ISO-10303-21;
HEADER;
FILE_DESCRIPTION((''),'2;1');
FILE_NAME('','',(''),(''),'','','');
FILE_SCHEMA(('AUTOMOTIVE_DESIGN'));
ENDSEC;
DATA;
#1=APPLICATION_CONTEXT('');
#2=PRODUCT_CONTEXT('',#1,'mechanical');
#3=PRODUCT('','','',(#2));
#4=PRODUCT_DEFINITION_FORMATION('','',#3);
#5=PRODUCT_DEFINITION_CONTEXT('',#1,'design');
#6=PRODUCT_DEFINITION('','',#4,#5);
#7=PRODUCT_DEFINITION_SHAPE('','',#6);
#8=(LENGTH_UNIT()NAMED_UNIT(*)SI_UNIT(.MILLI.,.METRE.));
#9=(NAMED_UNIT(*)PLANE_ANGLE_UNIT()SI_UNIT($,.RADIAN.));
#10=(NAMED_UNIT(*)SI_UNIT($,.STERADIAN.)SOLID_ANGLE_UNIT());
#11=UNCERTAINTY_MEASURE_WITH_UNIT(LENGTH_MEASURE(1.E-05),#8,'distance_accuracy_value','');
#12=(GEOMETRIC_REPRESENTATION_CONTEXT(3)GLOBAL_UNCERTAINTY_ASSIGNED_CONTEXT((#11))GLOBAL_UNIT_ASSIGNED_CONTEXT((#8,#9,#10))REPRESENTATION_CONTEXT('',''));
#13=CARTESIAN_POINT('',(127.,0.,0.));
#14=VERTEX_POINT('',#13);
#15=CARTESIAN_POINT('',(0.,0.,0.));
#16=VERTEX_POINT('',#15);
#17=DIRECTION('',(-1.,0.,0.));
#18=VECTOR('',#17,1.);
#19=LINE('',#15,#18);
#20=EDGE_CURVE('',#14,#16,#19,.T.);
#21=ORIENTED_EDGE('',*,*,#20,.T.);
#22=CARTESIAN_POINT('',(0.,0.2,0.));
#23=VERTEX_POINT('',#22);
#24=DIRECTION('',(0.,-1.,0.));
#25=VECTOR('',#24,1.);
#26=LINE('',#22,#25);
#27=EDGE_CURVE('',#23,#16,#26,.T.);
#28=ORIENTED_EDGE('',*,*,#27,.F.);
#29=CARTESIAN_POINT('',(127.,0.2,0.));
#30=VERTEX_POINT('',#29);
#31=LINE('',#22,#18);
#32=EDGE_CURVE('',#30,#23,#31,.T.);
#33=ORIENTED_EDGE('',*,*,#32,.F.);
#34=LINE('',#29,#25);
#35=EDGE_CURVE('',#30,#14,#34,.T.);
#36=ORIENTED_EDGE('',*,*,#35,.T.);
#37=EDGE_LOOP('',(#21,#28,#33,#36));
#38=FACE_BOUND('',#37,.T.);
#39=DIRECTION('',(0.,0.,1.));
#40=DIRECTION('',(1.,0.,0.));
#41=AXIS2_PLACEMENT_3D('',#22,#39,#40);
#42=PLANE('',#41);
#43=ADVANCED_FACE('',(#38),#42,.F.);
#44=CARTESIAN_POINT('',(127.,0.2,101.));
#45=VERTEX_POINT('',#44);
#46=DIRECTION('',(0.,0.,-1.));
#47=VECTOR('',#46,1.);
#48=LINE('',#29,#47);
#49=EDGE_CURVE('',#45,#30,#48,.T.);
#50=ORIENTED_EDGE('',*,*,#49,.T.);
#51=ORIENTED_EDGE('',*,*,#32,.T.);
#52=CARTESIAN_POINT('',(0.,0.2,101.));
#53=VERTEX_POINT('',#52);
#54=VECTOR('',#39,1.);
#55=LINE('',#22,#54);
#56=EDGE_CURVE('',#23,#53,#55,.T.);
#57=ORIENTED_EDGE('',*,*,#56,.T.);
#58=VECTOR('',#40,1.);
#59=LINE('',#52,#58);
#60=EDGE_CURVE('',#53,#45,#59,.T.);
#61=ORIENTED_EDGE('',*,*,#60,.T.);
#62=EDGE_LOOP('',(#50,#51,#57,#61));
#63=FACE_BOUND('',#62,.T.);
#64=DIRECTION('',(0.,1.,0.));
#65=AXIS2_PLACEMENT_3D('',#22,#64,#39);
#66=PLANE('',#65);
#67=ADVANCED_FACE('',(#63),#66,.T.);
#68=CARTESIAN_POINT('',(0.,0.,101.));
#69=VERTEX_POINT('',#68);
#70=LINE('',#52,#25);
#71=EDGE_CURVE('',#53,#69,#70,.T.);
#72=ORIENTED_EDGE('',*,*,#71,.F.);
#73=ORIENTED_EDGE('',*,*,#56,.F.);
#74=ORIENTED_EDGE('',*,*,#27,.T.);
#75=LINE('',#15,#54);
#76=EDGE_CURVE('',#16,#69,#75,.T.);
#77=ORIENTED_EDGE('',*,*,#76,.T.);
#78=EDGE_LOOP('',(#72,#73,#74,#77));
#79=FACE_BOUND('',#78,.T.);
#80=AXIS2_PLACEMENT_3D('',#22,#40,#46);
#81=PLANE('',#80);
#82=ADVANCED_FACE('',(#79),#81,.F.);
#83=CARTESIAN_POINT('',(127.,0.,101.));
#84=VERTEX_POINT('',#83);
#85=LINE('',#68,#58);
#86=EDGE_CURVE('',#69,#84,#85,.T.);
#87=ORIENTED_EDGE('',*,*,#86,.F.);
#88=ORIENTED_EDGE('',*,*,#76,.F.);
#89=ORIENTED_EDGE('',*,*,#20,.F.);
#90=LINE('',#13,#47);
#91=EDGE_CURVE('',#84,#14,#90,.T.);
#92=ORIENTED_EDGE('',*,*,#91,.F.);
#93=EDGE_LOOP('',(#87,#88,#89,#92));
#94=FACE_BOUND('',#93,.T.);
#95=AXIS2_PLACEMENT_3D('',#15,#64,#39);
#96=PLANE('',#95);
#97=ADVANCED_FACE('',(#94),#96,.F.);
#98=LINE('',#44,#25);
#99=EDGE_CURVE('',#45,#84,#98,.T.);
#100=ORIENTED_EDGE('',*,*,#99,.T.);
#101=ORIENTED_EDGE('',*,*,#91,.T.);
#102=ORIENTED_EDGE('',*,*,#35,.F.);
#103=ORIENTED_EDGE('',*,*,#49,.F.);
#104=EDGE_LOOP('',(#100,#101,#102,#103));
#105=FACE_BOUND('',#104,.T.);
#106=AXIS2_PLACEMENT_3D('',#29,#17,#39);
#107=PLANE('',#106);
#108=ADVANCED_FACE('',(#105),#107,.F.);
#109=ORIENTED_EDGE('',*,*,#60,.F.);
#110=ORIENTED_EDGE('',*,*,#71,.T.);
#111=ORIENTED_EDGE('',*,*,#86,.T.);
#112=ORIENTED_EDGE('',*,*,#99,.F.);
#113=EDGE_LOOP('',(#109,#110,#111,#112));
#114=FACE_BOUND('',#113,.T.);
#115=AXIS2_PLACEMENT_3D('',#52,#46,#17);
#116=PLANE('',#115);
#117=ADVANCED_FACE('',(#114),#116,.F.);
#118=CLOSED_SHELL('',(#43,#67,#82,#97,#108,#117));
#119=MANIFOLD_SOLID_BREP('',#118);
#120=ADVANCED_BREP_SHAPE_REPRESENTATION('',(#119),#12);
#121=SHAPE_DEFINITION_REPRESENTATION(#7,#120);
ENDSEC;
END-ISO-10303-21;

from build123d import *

# Parameters (mm, degrees)
SKETCH_1_W      = 127
SKETCH_1_H      = 101
EXTRUDE_1_DEPTH = 0.2


with BuildPart() as part:
    # Эскиз1 → Бобышка-Вытянуть1 (new body)
    with BuildSketch(Plane(origin=(0, 0, 0), x_dir=(1, 0, 0), z_dir=(0, 1, 0))):
        with Locations((63.5, -50.5)):
            Rectangle(SKETCH_1_W, SKETCH_1_H)
    extrude(amount=EXTRUDE_1_DEPTH)


solid = part.part
